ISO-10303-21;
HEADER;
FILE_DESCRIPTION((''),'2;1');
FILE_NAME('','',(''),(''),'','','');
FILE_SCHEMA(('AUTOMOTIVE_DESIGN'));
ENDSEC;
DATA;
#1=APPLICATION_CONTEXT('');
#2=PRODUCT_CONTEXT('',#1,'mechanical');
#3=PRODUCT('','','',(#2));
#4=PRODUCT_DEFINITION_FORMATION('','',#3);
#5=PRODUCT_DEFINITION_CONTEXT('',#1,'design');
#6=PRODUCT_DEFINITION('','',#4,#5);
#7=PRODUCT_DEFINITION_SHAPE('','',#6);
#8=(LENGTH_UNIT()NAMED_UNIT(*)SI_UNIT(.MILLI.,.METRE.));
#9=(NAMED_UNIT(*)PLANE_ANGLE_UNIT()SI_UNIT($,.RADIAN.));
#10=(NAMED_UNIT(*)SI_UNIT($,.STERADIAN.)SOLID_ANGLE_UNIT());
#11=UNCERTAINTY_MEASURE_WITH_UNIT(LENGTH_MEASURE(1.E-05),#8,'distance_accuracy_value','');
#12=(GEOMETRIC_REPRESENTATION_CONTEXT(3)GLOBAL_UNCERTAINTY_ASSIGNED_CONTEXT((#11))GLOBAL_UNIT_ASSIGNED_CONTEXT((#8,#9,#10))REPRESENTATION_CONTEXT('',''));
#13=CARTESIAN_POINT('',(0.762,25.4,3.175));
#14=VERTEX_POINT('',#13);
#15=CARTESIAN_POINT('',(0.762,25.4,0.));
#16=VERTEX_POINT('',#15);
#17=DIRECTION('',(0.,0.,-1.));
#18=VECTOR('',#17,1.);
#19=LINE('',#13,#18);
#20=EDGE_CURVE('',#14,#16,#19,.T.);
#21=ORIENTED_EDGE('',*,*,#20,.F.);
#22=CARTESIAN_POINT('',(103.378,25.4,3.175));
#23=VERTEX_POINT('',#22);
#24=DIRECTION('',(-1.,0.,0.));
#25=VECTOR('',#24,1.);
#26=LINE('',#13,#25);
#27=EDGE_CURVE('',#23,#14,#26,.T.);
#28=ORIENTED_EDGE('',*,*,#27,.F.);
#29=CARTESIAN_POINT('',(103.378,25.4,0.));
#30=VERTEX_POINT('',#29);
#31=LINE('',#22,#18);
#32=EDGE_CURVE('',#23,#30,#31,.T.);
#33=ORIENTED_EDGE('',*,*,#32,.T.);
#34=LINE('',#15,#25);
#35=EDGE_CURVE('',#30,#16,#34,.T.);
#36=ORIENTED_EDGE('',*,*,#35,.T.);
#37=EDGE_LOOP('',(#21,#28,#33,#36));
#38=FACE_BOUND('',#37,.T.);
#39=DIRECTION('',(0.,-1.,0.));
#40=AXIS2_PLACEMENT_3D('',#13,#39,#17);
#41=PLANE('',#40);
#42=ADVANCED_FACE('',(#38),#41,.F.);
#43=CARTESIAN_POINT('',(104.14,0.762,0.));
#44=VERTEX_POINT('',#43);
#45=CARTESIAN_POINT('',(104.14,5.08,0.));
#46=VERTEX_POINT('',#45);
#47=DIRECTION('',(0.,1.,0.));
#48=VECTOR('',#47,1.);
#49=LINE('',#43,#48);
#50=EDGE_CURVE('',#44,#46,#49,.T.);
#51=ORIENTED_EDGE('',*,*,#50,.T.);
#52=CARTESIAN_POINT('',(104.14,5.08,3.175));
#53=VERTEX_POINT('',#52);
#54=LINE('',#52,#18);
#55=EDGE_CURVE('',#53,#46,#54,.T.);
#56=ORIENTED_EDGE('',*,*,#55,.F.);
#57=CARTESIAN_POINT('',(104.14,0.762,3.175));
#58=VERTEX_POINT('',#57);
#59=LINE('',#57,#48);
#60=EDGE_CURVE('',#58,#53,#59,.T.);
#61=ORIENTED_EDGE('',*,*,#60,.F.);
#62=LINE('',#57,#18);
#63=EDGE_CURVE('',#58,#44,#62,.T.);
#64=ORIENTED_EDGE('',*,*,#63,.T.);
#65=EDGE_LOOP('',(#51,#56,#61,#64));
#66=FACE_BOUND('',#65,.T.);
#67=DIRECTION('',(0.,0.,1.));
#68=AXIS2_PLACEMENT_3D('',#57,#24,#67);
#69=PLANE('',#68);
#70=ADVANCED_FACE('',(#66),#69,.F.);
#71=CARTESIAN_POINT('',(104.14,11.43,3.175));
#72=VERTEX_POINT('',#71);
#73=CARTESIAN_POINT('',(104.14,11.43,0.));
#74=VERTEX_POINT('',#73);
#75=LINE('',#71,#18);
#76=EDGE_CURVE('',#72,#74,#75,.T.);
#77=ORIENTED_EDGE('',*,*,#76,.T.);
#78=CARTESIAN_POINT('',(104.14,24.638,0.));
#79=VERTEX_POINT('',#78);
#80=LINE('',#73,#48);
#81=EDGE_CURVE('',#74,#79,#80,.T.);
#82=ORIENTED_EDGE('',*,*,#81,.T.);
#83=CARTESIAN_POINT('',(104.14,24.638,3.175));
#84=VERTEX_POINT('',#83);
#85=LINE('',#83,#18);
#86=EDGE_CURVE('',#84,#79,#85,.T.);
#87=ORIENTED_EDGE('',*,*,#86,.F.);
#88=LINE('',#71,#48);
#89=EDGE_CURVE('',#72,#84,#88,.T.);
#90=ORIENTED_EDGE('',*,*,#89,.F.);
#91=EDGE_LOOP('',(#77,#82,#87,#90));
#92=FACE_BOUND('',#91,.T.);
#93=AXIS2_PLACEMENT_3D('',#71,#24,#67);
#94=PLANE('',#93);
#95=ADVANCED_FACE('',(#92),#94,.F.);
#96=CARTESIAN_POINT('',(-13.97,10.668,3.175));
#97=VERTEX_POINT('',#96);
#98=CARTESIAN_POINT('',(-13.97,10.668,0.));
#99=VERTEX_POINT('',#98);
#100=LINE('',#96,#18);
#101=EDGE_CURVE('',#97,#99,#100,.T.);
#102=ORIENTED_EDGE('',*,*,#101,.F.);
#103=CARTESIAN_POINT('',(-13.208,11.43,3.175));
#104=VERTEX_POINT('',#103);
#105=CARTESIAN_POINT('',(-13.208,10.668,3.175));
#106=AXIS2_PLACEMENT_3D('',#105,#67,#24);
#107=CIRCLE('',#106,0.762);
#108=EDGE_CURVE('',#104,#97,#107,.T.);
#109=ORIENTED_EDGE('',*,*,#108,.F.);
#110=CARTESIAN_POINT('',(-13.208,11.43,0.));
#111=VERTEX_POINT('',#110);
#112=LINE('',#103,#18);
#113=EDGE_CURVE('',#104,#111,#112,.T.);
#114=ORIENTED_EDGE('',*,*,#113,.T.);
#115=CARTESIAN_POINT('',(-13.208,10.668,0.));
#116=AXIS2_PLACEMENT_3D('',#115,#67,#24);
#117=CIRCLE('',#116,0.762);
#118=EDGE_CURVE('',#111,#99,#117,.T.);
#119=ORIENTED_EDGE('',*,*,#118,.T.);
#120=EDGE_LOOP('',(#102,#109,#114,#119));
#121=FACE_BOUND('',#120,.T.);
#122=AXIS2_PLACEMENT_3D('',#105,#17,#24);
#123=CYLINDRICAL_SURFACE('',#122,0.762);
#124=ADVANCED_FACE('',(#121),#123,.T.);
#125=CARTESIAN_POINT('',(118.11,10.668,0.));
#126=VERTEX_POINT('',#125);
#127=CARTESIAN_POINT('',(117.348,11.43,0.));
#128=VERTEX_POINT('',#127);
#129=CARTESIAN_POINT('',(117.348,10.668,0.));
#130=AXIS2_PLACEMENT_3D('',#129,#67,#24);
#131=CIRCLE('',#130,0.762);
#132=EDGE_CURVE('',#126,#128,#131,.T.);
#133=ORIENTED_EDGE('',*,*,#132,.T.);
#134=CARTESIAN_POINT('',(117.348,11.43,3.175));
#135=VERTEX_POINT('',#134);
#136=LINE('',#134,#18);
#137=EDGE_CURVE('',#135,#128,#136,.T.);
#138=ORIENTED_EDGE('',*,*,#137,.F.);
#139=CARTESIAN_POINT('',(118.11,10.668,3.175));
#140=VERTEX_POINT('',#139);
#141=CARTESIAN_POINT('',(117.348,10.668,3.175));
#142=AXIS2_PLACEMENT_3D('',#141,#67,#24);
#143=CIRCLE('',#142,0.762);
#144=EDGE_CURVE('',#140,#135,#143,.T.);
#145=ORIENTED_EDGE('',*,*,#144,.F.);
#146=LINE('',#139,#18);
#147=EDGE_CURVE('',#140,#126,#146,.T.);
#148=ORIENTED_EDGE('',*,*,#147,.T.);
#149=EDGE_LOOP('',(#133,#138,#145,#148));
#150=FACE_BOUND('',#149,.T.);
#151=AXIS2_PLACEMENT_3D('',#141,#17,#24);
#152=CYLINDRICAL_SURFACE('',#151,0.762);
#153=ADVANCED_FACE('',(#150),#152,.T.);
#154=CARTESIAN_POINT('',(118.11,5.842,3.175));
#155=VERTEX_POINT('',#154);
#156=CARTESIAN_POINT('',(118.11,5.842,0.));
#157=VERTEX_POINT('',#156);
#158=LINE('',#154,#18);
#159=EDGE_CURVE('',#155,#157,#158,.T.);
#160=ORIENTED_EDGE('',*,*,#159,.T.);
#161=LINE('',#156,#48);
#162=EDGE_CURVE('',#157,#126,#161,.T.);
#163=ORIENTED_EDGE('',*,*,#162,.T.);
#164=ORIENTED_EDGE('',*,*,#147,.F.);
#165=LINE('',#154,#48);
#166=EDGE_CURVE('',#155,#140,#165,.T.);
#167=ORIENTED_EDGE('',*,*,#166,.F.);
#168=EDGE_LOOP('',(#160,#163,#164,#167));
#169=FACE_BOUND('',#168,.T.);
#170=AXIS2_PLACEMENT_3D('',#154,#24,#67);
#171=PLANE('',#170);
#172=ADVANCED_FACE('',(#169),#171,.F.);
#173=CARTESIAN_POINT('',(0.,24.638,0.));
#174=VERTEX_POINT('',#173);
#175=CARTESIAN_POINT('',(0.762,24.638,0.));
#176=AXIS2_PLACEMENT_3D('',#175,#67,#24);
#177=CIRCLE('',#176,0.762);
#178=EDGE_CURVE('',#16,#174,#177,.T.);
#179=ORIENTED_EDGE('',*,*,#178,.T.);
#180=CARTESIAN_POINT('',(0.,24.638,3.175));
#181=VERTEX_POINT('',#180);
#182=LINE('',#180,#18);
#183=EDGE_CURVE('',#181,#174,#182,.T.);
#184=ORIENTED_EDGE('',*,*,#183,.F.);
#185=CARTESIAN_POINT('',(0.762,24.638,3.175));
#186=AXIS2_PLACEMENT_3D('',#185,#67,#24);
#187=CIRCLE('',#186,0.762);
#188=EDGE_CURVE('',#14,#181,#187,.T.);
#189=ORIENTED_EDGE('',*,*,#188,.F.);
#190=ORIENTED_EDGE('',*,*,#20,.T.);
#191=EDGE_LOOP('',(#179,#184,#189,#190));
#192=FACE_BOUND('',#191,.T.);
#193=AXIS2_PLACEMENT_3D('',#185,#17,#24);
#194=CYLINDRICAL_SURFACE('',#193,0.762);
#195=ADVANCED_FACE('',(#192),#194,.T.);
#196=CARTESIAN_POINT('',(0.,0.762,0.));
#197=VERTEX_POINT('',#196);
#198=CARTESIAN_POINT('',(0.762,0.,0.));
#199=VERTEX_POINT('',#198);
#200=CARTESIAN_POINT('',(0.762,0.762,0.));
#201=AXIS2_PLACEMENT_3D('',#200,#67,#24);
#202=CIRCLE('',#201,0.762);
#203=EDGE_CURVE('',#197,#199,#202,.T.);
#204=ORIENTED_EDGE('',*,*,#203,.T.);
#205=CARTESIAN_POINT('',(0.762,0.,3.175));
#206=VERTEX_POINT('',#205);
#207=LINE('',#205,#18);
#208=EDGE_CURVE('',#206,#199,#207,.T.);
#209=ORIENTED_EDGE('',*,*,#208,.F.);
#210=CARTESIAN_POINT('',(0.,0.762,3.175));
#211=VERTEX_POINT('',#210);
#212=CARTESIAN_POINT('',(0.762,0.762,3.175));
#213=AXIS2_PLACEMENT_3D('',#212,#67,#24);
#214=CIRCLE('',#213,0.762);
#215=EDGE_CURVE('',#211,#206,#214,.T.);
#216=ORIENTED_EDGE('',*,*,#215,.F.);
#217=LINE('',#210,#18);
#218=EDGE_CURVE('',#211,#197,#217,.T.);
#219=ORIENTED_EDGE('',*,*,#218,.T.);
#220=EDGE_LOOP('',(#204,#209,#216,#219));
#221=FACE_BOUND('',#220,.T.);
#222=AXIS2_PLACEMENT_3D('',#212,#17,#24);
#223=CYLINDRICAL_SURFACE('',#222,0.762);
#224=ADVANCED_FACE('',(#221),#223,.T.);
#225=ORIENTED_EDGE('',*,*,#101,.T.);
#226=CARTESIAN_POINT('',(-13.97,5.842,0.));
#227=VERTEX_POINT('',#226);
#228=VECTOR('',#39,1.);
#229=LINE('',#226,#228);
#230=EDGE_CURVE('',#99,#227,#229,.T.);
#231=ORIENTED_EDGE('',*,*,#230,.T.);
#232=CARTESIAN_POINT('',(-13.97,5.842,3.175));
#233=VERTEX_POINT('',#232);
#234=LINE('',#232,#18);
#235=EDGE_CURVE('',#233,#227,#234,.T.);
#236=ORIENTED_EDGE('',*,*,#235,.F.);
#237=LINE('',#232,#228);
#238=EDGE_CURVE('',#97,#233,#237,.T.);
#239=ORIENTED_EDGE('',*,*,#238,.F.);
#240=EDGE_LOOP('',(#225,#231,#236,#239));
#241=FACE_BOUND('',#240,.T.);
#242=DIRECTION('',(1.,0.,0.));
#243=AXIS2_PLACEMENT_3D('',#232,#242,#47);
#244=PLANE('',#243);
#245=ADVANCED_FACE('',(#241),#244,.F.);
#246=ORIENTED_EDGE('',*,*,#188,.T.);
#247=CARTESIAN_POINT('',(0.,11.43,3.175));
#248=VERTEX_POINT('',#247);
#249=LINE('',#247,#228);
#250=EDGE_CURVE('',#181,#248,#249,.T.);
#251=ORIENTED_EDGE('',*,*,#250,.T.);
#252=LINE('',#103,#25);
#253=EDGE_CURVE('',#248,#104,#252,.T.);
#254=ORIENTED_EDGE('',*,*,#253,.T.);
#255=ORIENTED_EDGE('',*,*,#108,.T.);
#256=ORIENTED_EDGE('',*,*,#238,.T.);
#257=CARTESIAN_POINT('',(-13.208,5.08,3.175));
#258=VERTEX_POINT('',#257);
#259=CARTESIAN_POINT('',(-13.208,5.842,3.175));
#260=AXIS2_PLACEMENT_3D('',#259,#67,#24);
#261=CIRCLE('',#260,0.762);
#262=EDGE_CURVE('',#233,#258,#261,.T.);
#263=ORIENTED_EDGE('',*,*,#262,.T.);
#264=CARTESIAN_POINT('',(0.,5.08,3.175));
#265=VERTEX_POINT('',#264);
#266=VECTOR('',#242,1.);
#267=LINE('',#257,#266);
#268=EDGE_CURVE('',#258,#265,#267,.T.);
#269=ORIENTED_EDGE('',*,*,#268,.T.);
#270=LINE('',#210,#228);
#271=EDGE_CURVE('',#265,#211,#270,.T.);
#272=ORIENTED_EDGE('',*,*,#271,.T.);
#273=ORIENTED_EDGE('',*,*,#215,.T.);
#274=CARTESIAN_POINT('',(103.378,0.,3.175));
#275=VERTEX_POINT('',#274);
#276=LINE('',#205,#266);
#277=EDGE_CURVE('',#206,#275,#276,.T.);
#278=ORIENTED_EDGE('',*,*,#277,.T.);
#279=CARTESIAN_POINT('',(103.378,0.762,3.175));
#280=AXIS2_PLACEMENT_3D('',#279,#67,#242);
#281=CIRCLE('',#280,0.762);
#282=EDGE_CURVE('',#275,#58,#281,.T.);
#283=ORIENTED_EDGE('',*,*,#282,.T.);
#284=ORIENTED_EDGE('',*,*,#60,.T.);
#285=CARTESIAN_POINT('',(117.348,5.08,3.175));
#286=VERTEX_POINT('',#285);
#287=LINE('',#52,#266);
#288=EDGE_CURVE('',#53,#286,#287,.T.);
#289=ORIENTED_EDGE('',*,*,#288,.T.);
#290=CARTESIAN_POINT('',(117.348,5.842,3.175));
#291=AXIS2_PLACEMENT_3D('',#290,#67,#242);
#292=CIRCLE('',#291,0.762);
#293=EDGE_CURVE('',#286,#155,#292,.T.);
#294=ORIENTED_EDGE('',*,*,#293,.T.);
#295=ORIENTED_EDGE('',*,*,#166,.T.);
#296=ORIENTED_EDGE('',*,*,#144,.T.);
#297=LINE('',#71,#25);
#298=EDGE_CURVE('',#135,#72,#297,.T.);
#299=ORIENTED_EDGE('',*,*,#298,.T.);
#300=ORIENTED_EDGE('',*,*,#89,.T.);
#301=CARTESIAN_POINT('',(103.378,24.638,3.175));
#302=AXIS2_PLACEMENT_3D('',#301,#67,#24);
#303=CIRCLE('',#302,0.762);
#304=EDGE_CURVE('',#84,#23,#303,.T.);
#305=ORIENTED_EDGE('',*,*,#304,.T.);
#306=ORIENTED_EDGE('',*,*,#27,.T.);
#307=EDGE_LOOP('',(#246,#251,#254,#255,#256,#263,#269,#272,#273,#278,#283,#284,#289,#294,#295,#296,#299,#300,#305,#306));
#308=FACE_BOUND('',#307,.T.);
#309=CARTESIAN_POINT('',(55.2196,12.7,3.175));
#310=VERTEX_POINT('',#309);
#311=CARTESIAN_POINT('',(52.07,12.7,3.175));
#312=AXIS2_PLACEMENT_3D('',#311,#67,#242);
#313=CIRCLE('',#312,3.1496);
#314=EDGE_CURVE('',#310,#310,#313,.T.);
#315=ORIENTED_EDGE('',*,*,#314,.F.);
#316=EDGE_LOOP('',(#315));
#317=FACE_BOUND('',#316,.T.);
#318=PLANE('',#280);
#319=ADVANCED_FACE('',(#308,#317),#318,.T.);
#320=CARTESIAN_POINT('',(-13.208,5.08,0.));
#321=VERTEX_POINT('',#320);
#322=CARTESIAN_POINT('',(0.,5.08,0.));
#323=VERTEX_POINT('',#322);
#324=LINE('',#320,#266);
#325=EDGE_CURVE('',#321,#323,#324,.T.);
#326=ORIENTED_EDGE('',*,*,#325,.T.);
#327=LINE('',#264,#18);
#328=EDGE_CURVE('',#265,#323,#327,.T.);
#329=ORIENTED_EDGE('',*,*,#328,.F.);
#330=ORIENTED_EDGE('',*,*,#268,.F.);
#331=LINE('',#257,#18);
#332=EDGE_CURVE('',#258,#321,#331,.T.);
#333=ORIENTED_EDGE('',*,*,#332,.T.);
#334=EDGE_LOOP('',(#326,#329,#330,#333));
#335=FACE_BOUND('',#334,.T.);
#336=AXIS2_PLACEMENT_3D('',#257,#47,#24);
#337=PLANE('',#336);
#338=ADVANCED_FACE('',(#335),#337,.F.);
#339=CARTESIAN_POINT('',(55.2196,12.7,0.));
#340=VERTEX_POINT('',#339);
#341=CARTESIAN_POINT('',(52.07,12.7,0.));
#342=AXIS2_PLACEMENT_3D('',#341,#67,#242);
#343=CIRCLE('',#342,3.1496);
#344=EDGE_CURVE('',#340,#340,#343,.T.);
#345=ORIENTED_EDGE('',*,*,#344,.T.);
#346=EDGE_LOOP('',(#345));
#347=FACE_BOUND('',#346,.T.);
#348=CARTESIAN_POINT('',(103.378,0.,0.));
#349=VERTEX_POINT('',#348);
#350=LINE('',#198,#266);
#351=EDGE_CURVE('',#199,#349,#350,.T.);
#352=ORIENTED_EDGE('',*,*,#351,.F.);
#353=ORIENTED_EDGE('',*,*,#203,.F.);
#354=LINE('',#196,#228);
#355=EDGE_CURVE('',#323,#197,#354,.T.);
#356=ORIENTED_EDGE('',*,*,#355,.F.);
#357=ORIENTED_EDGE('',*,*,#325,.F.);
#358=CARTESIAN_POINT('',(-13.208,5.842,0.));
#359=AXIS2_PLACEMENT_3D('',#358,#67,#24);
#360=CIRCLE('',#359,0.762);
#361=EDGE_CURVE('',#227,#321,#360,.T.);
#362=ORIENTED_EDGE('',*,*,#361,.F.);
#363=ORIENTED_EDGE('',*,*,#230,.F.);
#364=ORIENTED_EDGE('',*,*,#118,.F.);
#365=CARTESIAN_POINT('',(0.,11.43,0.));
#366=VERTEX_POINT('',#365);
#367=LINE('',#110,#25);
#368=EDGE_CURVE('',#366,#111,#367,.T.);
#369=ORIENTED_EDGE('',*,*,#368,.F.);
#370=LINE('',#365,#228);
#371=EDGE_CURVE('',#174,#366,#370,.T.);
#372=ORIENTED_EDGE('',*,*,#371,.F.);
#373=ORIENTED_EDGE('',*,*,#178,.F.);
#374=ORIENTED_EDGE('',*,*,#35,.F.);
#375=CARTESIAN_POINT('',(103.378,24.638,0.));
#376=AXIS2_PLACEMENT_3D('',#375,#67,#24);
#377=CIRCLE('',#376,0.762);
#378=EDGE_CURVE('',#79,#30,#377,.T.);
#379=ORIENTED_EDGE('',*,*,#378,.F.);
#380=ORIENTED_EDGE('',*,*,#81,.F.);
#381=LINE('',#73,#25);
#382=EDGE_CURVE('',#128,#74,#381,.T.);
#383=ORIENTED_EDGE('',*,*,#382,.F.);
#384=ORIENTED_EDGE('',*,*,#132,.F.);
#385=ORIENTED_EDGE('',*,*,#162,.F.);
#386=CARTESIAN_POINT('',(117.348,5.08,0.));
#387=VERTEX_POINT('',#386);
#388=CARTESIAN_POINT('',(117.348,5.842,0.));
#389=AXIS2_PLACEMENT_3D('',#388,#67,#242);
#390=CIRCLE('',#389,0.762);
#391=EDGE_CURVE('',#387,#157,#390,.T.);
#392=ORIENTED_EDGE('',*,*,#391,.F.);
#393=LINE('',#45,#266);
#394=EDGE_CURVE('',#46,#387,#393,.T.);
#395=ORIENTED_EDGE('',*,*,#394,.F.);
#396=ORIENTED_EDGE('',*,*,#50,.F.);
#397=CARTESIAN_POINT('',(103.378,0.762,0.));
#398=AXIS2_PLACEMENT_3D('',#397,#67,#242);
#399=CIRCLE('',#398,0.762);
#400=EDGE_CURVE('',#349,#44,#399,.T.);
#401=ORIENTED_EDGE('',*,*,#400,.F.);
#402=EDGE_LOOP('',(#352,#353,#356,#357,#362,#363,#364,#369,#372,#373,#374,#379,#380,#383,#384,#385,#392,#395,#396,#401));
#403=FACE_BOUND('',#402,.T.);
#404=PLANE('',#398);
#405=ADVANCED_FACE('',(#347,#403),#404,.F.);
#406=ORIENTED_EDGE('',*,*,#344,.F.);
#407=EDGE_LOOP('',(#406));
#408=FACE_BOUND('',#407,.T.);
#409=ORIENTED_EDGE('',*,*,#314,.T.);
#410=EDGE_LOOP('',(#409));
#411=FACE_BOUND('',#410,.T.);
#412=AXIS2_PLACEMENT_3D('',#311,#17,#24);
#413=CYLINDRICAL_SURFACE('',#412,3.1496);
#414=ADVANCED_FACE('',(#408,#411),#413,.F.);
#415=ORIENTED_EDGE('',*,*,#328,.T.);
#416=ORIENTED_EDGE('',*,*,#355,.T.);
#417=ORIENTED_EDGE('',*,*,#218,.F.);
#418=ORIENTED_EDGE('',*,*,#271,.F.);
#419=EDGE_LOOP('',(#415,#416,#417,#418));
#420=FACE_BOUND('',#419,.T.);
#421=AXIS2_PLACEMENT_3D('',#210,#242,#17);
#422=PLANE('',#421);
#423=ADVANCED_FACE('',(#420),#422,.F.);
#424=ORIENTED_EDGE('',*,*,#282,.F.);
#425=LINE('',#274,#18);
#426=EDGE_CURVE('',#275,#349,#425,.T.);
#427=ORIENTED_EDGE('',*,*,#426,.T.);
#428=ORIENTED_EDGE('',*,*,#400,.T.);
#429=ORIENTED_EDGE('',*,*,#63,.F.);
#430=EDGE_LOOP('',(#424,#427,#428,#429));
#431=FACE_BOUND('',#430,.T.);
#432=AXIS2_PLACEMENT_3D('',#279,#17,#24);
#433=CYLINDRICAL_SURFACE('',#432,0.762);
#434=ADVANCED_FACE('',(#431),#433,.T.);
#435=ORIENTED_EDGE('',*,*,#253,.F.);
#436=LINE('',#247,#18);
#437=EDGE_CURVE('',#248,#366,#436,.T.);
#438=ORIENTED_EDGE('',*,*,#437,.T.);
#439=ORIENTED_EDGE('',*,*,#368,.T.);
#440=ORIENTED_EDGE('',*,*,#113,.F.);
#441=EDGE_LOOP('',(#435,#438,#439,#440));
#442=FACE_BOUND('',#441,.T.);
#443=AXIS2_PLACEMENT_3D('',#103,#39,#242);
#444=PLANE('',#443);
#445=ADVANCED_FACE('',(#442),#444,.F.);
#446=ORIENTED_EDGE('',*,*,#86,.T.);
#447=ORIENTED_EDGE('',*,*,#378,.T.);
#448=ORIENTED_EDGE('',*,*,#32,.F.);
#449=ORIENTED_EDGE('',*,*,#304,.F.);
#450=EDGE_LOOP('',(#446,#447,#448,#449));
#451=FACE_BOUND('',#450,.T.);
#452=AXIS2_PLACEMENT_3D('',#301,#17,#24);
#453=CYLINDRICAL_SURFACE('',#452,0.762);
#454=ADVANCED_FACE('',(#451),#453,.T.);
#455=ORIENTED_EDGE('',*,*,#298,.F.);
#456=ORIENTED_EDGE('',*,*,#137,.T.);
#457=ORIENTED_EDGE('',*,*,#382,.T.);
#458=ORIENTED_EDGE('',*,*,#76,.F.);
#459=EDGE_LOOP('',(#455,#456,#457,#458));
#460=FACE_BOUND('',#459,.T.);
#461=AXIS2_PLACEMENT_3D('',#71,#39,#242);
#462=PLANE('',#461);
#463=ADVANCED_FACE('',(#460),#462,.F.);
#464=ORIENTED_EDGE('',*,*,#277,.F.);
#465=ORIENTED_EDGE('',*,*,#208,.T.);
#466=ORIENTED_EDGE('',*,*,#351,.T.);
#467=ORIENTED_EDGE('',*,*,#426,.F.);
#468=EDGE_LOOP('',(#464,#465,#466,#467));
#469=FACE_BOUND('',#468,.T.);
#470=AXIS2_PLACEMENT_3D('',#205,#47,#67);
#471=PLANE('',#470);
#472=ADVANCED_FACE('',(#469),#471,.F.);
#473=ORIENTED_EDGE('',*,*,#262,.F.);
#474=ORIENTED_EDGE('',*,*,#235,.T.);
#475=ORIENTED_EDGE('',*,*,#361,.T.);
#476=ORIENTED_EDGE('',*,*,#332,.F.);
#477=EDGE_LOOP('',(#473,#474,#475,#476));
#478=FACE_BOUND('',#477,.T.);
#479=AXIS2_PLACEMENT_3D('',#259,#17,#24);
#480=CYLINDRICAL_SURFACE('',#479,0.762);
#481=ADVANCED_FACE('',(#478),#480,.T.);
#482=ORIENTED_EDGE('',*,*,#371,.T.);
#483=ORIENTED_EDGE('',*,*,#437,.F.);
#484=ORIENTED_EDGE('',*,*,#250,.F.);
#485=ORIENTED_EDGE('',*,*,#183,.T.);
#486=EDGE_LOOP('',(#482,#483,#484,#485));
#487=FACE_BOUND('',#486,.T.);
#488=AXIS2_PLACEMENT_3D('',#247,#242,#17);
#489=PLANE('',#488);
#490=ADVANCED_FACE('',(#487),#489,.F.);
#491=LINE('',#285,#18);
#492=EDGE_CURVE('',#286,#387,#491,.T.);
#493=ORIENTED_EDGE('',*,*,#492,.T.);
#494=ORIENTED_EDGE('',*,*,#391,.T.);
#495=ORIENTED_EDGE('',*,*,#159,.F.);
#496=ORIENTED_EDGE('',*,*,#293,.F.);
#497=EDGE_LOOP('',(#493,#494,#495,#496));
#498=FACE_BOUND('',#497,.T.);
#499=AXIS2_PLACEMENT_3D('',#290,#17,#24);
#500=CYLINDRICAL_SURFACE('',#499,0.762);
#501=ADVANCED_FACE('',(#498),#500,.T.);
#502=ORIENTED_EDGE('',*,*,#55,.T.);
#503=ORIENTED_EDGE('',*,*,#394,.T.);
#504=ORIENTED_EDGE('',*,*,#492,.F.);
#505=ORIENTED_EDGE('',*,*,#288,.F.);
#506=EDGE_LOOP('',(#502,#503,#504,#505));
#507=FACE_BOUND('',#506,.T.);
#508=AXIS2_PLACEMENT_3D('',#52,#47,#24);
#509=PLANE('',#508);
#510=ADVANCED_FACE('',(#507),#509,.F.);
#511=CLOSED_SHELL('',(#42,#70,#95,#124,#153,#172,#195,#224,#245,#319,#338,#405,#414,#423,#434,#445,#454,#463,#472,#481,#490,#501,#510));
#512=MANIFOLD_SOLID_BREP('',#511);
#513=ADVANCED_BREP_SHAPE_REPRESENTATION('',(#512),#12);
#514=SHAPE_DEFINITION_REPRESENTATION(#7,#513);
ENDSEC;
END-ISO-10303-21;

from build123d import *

# Parameters (mm, degrees)
SKETCH1_R           = 3.1496
BOSS_EXTRUDE1_DEPTH = 3.175


with BuildPart() as part:
    # Sketch1 → Boss-Extrude1 (new body)
    with BuildSketch(Plane.XY):
        with BuildLine():
            Line((0.762, 0), (103.378, 0))
            ThreePointArc((103.378, 0), (103.916815367, 0.223184633), (104.14, 0.762))
            Line((104.14, 0.762), (104.14, 5.08))
            Line((104.14, 5.08), (117.348, 5.08))
            ThreePointArc((117.348, 5.08), (117.886815367, 5.303184633), (118.11, 5.842))
            Line((118.11, 5.842), (118.11, 10.668))
            ThreePointArc((118.11, 10.668), (117.886815367, 11.206815367), (117.348, 11.43))
            Line((117.348, 11.43), (104.14, 11.43))
            Line((104.14, 11.43), (104.14, 24.638))
            ThreePointArc((104.14, 24.638), (103.916815367, 25.176815367), (103.378, 25.4))
            Line((103.378, 25.4), (0.762, 25.4))
            ThreePointArc((0.762, 25.4), (0.223184633, 25.176815367), (0, 24.638))
            Line((0, 24.638), (0, 11.43))
            Line((0, 11.43), (-13.208, 11.43))
            ThreePointArc((-13.208, 11.43), (-13.746815367, 11.206815367), (-13.97, 10.668))
            Line((-13.97, 10.668), (-13.97, 5.842))
            ThreePointArc((-13.97, 5.842), (-13.746815367, 5.303184633), (-13.208, 5.08))
            Line((-13.208, 5.08), (0, 5.08))
            Line((0, 5.08), (0, 0.762))
            ThreePointArc((0, 0.762), (0.223184633, 0.223184633), (0.762, 0))
        make_face()
        with Locations((52.07, 12.7)):
            Circle(SKETCH1_R, mode=Mode.SUBTRACT)
    extrude(amount=BOSS_EXTRUDE1_DEPTH)


solid = part.part
